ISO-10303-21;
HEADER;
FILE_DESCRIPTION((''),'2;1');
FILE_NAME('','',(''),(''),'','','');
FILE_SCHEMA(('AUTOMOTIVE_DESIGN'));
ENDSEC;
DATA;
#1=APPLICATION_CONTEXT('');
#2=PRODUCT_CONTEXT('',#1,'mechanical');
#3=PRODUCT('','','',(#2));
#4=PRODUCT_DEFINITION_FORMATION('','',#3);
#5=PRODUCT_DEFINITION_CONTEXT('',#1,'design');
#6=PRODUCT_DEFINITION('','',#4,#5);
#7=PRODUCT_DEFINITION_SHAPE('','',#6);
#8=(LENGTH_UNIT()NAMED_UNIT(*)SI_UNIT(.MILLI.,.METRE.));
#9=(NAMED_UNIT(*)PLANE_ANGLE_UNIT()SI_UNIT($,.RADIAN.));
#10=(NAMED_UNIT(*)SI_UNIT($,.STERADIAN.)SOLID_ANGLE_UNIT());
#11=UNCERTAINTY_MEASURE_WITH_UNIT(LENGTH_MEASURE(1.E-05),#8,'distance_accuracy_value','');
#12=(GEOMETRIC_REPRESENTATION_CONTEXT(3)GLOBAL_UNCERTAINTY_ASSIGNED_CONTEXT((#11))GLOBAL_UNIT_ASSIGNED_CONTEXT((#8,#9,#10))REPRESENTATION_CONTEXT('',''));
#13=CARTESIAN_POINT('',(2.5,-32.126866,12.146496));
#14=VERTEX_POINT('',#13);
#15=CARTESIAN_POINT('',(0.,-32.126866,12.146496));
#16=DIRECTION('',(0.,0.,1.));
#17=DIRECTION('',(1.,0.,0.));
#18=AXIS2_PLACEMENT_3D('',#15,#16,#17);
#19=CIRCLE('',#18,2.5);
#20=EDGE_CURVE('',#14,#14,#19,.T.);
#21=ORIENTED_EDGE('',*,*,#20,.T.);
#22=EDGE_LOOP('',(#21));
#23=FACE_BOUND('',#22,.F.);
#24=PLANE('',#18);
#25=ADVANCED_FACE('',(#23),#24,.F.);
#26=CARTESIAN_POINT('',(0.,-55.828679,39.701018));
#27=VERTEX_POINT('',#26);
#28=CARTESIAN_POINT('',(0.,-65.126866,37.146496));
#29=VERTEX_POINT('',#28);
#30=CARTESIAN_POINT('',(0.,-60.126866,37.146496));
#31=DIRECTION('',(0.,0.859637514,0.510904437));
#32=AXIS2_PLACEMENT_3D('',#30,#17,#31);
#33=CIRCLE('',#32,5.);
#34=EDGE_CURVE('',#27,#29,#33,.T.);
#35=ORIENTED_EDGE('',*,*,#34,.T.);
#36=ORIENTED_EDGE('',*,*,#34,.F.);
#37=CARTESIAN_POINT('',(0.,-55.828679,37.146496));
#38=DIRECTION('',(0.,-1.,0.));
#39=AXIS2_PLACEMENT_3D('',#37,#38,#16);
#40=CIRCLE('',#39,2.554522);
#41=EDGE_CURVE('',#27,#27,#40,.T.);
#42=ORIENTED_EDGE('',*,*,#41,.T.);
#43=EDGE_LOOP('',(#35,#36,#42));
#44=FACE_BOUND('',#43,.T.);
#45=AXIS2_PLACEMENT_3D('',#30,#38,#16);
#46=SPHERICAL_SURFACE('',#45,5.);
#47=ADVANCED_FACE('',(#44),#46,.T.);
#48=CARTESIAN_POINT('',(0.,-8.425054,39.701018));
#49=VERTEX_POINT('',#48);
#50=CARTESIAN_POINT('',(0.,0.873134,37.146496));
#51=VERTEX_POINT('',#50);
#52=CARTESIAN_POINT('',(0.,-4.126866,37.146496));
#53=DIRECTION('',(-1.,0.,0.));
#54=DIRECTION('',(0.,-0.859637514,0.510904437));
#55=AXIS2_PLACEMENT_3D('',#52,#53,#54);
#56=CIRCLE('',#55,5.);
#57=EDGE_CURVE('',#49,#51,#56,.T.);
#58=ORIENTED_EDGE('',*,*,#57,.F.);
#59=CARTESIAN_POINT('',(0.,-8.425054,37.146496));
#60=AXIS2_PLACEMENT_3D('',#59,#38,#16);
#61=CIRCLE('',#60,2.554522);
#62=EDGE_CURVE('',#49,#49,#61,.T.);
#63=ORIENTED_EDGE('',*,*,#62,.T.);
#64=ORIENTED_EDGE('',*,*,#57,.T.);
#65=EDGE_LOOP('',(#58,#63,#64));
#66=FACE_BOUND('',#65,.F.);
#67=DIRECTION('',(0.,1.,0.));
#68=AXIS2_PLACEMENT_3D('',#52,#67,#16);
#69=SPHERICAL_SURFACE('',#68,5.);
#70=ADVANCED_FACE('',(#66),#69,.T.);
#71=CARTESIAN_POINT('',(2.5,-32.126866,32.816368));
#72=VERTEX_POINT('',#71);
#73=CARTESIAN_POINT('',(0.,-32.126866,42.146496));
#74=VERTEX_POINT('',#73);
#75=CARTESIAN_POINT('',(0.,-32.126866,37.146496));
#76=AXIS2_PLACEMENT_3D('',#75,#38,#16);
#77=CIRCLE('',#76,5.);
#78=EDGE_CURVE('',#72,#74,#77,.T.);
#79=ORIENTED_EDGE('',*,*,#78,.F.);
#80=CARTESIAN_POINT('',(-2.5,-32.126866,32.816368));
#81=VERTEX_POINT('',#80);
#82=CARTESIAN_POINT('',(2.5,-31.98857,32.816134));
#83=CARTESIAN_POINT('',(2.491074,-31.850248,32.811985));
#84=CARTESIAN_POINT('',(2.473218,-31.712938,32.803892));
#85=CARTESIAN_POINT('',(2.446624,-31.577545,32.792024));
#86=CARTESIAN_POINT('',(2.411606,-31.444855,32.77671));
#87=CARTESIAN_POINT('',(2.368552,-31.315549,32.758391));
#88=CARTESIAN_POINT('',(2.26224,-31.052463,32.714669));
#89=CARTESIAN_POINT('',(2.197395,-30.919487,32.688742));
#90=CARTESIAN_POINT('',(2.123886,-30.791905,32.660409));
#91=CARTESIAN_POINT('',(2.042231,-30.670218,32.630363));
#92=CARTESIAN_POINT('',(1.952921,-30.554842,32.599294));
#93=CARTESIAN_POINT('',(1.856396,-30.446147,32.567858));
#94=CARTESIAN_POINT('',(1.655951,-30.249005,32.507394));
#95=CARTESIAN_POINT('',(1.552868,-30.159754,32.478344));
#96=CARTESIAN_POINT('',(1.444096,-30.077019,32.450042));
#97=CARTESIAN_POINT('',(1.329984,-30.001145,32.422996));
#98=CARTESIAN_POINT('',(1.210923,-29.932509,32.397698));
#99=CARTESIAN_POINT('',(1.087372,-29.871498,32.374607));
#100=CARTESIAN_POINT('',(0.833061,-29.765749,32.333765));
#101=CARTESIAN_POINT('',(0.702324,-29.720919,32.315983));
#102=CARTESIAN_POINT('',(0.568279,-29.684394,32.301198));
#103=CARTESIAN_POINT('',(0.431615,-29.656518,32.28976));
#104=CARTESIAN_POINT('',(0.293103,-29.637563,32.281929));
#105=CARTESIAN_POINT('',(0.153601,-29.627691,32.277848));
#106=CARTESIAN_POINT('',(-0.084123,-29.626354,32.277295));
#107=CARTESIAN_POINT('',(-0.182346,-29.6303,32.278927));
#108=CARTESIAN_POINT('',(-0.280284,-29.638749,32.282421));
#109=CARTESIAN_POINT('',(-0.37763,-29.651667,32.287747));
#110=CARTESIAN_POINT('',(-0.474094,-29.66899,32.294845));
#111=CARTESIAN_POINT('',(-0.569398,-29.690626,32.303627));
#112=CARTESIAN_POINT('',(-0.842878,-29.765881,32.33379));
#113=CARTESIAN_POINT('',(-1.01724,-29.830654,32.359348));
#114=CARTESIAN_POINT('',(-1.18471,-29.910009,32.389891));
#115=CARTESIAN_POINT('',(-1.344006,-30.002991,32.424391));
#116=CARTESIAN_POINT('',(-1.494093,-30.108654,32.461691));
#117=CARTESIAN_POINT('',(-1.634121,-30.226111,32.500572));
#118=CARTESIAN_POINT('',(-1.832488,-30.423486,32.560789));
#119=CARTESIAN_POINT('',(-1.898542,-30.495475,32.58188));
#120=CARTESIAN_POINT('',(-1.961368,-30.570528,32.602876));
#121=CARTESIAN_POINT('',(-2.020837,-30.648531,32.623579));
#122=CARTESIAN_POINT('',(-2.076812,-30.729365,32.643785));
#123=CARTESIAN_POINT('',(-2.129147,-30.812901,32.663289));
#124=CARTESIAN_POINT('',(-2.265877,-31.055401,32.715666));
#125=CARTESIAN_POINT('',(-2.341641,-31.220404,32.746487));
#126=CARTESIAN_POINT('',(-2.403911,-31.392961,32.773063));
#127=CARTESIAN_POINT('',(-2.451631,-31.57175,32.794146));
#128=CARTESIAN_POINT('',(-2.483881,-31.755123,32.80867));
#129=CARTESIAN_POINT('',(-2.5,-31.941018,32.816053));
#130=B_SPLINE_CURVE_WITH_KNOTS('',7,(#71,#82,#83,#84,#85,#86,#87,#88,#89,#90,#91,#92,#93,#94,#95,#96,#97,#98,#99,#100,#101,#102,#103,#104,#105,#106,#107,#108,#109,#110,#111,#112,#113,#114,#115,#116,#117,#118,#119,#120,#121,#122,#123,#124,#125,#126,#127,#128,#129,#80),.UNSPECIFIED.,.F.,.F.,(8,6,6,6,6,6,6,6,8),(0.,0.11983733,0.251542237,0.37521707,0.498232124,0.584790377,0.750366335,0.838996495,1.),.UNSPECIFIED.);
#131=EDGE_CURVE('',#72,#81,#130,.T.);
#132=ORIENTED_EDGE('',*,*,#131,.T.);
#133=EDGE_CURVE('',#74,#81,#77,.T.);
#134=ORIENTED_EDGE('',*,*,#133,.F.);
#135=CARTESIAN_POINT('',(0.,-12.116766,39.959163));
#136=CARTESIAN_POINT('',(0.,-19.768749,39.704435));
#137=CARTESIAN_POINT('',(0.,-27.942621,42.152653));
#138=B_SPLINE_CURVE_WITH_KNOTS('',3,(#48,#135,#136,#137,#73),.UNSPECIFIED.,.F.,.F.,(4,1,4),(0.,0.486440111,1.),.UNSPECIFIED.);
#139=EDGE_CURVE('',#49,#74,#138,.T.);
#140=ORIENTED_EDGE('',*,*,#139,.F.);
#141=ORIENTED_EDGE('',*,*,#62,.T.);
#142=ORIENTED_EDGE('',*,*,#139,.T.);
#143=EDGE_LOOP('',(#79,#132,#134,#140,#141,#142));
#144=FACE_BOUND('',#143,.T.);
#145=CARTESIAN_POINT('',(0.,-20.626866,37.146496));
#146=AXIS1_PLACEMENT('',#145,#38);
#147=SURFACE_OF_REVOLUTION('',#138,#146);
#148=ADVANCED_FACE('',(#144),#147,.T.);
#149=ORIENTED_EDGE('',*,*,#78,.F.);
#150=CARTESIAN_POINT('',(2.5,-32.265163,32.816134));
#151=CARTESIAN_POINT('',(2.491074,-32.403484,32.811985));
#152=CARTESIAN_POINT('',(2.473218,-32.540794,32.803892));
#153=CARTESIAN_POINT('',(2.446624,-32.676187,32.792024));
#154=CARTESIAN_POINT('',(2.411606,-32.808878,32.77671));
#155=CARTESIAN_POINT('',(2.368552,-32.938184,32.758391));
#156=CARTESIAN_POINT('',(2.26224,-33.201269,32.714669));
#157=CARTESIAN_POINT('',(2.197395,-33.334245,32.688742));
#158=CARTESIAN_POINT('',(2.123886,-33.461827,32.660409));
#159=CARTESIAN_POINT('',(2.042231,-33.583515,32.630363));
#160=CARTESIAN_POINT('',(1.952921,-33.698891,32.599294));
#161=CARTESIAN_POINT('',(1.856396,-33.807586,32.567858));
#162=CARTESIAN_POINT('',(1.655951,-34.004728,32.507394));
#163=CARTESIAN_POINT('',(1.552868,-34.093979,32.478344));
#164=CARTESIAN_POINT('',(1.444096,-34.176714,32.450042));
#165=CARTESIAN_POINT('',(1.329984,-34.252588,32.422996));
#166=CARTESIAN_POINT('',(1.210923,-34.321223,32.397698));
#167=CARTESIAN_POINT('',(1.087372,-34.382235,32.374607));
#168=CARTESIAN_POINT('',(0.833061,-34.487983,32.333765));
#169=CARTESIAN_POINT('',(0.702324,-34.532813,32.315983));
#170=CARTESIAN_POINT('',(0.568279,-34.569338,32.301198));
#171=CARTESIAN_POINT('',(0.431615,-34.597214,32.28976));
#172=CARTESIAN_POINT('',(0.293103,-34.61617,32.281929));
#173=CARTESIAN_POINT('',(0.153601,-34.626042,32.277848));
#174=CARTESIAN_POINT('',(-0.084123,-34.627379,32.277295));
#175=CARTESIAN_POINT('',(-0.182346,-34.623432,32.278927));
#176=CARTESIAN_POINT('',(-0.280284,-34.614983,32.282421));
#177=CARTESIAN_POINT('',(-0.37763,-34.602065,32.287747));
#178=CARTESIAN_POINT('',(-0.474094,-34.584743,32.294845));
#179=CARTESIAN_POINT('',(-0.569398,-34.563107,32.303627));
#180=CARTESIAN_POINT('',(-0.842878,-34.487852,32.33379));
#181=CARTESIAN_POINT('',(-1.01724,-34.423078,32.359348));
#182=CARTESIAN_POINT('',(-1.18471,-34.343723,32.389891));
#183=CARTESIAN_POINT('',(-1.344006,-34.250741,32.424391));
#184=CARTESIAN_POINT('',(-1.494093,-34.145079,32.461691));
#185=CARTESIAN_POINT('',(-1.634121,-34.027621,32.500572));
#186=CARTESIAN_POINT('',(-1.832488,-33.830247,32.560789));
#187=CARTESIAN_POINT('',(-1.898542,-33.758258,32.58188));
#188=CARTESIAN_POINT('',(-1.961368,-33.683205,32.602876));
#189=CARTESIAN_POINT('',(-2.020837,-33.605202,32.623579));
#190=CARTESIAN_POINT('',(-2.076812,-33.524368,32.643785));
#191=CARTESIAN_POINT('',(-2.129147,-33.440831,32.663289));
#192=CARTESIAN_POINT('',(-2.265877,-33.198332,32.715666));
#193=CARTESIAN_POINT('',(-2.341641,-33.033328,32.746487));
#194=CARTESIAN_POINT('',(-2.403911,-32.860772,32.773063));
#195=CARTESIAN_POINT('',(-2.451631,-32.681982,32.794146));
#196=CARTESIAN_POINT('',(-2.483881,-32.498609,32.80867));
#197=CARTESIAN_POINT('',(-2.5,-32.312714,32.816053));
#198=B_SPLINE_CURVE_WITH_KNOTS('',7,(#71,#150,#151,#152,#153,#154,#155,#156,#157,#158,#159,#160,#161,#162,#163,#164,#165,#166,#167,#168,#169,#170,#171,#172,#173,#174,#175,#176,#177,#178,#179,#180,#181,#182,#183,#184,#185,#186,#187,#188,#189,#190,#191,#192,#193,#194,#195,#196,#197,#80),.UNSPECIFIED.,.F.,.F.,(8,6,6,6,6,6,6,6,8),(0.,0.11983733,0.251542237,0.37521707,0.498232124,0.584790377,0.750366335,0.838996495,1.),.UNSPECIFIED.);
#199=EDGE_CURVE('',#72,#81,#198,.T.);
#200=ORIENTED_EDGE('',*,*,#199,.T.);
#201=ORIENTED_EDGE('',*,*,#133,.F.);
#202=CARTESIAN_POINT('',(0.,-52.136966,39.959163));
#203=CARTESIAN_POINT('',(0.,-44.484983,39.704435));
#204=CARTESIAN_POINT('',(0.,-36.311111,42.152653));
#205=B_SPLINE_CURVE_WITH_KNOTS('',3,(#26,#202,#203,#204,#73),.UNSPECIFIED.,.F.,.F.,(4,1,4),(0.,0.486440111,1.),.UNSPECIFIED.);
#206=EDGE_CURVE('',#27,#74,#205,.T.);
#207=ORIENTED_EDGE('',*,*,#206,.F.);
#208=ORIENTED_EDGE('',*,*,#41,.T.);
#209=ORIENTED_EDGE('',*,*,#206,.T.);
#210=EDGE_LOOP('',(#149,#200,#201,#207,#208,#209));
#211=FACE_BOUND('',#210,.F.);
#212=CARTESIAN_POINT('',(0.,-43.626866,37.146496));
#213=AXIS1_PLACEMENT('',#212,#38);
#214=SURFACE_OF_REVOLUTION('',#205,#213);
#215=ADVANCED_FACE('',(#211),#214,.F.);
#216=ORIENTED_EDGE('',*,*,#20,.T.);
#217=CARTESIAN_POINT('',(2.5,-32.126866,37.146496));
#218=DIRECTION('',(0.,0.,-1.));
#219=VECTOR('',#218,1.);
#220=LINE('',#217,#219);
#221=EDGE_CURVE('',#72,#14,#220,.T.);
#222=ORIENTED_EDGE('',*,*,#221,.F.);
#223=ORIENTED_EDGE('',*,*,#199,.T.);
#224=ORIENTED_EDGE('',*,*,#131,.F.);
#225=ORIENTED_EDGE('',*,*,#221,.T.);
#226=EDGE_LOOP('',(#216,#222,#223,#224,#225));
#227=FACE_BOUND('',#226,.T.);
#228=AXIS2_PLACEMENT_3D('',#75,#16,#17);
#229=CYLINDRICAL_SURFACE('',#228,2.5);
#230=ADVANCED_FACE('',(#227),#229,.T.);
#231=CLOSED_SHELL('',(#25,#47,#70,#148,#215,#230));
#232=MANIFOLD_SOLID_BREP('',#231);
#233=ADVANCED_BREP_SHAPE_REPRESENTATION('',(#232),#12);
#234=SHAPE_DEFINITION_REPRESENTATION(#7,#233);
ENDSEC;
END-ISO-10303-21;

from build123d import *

# Parameters (mm, degrees)
F5_R     = 2.5
F6_DEPTH = 25


with BuildPart() as f2:
    # F1 (on Right) → F2 (revolve)
    with BuildSketch(Plane.YZ):
        with BuildLine():
            Line((-65.126866281, 37.146495508), (-55.126866281, 37.146495508))
            ThreePointArc((-55.126866281, 37.146495508), (-55.3055107736, 38.4710826404), (-55.8286787096, 39.7010176944))
            ThreePointArc((-55.8286787096, 39.7010176944), (-61.4514534135, 41.9678510154), (-65.126866281, 37.146495508))
        make_face()
        with BuildLine():
            ThreePointArc((-55.8286787096, 39.7010176944), (-55.3055107736, 38.4710826404), (-55.126866281, 37.146495508))
            Line((-55.126866281, 37.146495508), (-32.126866281, 37.146495508))
            Line((-32.126866281, 37.146495508), (-32.126866281, 42.146495508))
            add(Edge.make_bspline(
                [(-55.8286787096, 39.7010176944), (-52.1369661584, 39.9591630433), (-44.4849831476, 39.7044354809), (-36.3111111426, 42.1526526385), (-32.126866281, 42.146495508)],
                knots=[0, 0, 0, 0, 0.4864401109, 1, 1, 1, 1], degree=3))
        make_face()
    revolve(axis=Axis((0, -43.626866281, 37.146495508), (0, -1, 0)))

    # F3: F2 across face


with BuildPart() as f2_1:
    add(f2.part)
    add(f2.part.mirror(Plane(origin=(0, -32.126866281, 37.146495508), x_dir=(-1, 0, 0), z_dir=(0, 1, 0))))

    # F5 (on plane+point) → F6 (join)
    with BuildSketch(Plane.XY.offset(37.146495508)):
        with Locations((0, -32.126866281)):
            Circle(F5_R)
    extrude(amount=-F6_DEPTH)


solid = f2_1.part
